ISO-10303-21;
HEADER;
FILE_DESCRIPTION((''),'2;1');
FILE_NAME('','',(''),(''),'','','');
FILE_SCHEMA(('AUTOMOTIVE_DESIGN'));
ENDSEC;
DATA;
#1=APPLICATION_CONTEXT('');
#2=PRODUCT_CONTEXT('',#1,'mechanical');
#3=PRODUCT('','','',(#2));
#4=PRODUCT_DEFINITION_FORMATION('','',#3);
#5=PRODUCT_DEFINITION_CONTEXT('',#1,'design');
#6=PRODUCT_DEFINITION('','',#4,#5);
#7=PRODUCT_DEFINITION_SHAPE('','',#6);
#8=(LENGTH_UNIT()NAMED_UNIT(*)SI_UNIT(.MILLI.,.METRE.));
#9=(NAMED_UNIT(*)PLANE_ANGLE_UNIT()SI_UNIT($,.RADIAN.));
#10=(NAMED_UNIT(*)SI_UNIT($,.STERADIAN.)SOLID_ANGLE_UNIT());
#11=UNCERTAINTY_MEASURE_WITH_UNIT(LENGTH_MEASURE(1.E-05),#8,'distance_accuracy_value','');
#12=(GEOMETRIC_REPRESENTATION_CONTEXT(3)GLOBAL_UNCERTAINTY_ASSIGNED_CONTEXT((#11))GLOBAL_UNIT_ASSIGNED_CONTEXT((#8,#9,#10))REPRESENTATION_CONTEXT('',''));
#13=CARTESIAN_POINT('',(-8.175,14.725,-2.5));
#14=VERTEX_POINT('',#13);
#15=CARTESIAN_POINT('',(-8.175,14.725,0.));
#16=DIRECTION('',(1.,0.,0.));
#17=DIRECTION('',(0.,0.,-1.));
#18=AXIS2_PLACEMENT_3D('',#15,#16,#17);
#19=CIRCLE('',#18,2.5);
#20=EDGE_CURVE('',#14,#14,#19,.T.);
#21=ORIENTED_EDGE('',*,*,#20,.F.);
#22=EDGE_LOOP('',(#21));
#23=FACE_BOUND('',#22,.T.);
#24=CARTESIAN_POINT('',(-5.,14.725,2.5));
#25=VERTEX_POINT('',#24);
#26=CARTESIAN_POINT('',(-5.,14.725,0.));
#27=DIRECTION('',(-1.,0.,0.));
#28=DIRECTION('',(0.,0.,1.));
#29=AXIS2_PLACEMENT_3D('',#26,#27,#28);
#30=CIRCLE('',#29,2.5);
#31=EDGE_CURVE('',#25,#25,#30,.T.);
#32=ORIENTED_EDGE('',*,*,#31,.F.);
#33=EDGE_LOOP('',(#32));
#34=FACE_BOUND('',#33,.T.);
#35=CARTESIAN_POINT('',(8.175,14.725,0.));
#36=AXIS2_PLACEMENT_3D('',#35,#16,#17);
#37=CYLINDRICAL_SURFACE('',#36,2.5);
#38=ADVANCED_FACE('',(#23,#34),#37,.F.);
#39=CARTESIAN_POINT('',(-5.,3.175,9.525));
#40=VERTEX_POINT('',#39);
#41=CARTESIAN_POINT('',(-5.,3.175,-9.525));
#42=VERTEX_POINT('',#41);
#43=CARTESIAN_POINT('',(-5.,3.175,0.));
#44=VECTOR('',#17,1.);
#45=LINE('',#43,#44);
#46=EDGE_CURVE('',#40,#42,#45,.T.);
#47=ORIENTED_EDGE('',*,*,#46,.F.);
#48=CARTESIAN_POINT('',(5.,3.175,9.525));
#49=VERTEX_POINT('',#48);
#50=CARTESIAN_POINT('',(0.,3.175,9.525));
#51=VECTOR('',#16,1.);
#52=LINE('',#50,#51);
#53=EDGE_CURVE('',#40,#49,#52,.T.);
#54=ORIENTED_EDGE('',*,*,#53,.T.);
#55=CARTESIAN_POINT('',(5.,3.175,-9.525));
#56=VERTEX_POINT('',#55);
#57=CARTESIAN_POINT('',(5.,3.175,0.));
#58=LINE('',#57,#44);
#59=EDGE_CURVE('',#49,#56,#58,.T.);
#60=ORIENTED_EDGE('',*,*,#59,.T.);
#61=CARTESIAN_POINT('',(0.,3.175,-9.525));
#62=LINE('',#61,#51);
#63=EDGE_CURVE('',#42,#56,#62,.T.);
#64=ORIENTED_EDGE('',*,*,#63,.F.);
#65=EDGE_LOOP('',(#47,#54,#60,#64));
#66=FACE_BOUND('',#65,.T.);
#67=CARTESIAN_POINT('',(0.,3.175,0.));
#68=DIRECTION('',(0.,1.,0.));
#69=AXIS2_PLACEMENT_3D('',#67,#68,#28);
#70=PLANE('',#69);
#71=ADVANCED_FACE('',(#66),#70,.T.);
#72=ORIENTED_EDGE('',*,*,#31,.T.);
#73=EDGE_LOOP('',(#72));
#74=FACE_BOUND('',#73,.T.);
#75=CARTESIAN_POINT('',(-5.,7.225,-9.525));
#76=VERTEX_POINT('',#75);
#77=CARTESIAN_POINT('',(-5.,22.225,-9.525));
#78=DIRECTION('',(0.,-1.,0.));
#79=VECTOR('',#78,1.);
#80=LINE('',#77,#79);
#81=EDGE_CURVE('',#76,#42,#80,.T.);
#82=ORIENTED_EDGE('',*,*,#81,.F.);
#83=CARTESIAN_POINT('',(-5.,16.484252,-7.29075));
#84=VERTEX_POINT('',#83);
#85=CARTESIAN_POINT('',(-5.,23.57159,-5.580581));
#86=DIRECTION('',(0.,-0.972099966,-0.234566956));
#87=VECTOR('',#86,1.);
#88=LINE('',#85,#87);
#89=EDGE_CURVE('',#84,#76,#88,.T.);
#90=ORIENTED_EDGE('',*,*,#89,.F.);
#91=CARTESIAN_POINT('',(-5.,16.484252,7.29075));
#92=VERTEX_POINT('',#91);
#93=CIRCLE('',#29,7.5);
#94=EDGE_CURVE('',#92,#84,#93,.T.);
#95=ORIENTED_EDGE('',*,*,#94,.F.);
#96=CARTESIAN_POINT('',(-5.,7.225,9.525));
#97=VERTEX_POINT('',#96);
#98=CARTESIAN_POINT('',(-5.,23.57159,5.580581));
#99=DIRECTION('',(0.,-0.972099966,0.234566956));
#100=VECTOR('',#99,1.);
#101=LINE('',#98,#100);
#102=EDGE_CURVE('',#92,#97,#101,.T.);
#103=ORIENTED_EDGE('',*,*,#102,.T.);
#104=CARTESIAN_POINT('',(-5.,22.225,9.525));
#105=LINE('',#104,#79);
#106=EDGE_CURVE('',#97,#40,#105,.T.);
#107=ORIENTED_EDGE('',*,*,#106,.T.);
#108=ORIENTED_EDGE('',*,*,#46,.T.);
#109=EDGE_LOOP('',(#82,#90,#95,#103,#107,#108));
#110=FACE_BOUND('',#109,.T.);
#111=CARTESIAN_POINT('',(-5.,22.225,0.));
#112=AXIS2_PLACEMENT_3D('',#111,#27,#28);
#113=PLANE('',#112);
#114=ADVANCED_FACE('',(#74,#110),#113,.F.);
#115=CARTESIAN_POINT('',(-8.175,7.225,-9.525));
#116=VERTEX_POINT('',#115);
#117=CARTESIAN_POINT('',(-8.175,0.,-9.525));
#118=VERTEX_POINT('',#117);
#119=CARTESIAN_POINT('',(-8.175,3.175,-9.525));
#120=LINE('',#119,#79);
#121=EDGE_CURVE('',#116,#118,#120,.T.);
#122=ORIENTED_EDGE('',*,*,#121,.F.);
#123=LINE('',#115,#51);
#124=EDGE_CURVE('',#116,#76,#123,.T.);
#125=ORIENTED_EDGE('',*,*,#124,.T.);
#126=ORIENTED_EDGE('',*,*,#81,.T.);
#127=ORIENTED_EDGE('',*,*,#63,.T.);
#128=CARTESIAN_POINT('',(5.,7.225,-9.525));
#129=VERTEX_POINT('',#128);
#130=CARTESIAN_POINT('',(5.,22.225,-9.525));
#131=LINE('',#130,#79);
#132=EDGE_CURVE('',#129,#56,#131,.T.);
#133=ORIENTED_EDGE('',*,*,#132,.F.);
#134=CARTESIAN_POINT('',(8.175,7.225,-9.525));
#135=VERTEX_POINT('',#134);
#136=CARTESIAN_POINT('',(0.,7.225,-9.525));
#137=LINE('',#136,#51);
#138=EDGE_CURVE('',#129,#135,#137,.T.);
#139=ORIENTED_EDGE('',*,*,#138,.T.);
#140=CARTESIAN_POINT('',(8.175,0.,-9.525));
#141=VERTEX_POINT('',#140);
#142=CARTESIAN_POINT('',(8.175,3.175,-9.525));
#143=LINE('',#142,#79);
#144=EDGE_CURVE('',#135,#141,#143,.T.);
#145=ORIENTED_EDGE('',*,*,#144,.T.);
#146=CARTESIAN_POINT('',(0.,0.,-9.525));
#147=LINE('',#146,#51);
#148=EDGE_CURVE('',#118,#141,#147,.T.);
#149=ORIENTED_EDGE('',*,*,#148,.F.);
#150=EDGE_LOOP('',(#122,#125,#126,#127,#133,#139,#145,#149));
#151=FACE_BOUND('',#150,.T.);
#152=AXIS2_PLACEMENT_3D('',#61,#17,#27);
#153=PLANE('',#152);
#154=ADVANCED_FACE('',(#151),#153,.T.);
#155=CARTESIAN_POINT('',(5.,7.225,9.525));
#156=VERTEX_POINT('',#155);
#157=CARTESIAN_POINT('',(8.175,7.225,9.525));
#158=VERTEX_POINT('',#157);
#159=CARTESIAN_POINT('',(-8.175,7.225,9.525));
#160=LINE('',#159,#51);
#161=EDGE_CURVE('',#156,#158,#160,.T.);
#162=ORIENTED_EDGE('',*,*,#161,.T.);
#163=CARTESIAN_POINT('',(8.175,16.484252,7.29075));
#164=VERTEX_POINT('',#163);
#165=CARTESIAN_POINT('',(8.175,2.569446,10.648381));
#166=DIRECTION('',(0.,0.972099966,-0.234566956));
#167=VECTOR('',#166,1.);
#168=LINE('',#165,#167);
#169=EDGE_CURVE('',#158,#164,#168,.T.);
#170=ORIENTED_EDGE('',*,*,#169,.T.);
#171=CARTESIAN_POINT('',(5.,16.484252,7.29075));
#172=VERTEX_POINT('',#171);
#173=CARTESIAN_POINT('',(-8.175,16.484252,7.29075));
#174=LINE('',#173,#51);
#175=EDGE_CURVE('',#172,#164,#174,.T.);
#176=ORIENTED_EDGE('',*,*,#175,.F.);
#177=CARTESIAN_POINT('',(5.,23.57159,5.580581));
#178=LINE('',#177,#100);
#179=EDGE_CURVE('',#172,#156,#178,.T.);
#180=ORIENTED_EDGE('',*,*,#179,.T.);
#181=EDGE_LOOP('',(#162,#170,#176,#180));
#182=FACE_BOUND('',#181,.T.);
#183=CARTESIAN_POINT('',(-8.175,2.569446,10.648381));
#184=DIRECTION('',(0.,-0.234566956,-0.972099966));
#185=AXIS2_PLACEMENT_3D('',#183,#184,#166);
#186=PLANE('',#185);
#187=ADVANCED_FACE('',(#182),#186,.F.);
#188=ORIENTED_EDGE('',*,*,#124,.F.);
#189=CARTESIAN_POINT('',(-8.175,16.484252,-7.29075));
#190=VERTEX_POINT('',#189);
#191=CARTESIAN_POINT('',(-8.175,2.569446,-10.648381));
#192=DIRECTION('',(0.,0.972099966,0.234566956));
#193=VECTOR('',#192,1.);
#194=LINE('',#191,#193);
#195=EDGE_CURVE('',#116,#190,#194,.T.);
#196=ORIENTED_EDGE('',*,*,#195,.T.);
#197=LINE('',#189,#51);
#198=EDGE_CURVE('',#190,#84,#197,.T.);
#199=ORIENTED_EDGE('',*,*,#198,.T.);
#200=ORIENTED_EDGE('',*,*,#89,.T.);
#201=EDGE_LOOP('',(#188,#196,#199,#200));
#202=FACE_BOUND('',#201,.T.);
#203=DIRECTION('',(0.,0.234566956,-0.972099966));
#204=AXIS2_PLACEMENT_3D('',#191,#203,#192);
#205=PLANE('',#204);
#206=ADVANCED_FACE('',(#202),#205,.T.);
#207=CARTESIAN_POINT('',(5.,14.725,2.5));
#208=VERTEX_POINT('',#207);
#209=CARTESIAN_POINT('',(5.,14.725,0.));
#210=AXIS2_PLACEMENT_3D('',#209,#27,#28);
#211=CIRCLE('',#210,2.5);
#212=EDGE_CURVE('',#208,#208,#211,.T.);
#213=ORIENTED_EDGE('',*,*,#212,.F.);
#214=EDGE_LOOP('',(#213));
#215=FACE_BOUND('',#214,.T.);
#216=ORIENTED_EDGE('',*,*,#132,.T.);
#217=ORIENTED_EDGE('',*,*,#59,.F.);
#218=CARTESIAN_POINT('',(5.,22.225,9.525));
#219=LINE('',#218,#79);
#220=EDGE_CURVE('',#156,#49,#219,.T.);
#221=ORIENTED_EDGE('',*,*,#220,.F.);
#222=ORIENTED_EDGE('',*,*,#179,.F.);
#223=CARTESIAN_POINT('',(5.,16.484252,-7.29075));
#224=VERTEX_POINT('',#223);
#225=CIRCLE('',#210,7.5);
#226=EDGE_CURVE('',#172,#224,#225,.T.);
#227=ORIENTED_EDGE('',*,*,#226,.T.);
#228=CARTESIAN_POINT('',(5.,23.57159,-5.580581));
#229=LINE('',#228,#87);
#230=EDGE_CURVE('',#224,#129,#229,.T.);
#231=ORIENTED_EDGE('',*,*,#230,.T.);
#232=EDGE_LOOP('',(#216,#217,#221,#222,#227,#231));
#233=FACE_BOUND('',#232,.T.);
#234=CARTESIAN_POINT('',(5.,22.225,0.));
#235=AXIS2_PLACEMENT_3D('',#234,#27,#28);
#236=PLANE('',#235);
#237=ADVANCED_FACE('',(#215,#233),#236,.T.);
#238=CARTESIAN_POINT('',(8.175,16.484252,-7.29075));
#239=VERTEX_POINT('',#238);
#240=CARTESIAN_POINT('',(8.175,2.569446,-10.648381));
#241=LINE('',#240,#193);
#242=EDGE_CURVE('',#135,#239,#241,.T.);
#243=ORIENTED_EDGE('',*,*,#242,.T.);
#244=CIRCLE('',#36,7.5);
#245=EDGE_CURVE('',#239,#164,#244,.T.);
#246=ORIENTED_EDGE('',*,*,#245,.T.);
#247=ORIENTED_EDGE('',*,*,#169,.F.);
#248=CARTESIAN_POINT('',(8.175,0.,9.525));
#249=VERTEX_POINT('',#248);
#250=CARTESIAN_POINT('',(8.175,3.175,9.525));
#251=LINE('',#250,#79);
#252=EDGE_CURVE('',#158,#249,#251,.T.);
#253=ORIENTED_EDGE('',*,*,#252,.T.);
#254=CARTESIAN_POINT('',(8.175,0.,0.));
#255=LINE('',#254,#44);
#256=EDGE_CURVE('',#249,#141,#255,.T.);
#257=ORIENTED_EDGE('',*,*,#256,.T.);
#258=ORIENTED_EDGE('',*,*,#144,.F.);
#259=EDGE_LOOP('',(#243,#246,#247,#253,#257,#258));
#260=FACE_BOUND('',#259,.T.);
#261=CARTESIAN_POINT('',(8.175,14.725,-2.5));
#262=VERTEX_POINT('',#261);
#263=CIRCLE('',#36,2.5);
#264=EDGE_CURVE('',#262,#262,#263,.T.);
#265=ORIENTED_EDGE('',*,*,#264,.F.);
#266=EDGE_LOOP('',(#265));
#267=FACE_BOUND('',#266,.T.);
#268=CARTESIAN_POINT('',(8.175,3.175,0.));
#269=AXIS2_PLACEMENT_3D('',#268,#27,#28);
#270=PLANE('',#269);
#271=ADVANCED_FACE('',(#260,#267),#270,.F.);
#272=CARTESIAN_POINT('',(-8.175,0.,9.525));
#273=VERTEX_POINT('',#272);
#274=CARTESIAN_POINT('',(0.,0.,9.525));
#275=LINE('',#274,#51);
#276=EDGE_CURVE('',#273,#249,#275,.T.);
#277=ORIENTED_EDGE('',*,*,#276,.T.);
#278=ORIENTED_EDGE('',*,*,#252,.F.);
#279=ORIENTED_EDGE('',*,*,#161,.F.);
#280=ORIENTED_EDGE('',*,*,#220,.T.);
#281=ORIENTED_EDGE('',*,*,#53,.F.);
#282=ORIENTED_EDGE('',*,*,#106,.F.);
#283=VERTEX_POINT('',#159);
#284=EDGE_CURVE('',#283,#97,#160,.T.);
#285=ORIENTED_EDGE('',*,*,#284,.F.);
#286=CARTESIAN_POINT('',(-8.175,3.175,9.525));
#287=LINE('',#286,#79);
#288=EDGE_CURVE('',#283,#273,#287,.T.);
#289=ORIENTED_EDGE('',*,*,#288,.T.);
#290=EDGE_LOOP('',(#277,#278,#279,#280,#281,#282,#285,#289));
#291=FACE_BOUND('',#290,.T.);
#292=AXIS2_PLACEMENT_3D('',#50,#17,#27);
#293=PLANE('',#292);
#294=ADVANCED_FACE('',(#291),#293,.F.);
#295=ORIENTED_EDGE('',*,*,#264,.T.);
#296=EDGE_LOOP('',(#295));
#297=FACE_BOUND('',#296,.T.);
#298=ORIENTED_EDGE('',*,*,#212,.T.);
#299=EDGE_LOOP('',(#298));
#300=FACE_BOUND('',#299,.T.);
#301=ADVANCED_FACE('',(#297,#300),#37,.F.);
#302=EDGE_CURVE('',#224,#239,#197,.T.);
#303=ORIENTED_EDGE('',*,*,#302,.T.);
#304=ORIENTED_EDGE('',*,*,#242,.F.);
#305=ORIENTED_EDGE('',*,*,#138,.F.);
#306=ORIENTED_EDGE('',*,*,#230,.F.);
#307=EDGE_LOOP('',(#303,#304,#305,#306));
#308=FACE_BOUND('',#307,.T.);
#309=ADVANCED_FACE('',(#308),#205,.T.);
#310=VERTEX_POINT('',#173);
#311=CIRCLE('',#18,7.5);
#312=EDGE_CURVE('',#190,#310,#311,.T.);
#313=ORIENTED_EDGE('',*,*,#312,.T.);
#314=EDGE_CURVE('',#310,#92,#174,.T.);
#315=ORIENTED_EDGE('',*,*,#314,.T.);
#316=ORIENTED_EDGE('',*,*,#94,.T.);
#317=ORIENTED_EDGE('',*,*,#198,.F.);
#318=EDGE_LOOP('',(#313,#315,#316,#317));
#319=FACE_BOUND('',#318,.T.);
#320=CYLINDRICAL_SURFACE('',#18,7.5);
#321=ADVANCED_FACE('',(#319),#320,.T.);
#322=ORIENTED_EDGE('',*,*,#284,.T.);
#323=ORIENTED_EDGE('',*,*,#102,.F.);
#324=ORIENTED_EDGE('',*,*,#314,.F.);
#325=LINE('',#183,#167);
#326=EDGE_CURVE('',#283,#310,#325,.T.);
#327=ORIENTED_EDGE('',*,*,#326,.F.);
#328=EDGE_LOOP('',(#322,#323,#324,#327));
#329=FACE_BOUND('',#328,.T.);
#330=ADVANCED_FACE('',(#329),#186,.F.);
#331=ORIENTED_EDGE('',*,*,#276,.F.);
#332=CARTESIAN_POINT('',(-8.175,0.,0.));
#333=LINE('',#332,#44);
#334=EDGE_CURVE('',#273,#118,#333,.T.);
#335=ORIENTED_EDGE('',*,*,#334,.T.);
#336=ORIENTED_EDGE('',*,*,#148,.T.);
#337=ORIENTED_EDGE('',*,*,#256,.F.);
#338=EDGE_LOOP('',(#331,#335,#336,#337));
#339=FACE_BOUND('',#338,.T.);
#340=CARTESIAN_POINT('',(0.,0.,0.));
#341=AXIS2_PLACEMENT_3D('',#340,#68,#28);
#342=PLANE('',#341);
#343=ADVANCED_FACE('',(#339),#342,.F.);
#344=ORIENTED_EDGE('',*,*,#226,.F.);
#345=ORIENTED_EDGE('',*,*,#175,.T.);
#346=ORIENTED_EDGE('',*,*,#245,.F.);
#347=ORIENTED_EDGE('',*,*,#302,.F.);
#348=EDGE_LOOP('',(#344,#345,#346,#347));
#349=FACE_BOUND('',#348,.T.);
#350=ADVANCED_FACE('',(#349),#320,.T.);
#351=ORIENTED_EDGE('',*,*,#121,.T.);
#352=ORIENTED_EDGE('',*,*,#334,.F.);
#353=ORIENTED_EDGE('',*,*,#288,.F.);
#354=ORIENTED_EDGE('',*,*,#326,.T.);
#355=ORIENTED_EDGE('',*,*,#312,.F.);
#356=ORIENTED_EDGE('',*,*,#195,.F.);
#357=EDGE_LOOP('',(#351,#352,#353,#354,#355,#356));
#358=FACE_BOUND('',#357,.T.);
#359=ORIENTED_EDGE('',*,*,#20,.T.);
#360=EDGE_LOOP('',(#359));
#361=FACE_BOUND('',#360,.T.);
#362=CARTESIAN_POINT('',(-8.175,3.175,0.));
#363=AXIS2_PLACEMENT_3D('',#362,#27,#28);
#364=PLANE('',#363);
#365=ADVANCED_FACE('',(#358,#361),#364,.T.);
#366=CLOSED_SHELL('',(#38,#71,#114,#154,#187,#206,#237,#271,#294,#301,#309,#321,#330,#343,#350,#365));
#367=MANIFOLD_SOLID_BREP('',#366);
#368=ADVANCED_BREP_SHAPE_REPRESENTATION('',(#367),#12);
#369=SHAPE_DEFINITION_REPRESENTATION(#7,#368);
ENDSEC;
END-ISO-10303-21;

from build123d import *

# Parameters (mm, degrees)
SKETCH1_W             = 3.175
SKETCH1_H             = 19.05
SKETCH1_W_2           = 10
BOSS_EXTRUDE1_DEPTH   = 3.175
BOSS_EXTRUDE2_START   = 3.175
SKETCH1_3_W           = 3.175
SKETCH1_3_H           = 19.05
BOSS_EXTRUDE2_DEPTH   = 19.05
CUT_EXTRUDE1_DEPTH    = 30.189017626
F_5_0MM_DOWEL_HOLE1_D = 5


with BuildPart() as part:
    # Sketch1 → Boss-Extrude1 (new body)
    with BuildSketch(Plane(origin=(0, 0, 0), x_dir=(1, 0, 0), z_dir=(0, 1, 0))):
        with Locations((-6.5875, 0)):
            Rectangle(SKETCH1_W, SKETCH1_H)
        Rectangle(SKETCH1_W_2, SKETCH1_H)
        with Locations((6.5875, 0)):
            Rectangle(SKETCH1_W, SKETCH1_H)
    extrude(amount=BOSS_EXTRUDE1_DEPTH)

    # Sketch1<3> → Boss-Extrude2 (add)
    with BuildSketch(Plane(origin=(0, 0, 0), x_dir=(1, 0, 0), z_dir=(0, 1, 0)).offset(BOSS_EXTRUDE2_START)):
        with Locations((-6.5875, 0)):
            Rectangle(SKETCH1_3_W, SKETCH1_3_H)
        with Locations((6.5875, 0)):
            Rectangle(SKETCH1_3_W, SKETCH1_3_H)
    extrude(amount=BOSS_EXTRUDE2_DEPTH)

    # Sketch2 → Cut-Extrude1 (cut, through all)
    with BuildSketch(Plane(origin=(8.175, 0, 0), x_dir=(0, 0, -1), z_dir=(1, 0, 0))):
        with BuildLine():
            Line((-9.525, 22.225), (-9.525, 7.225))
            Line((-9.525, 7.225), (-7.290749742, 16.484252172))
            ThreePointArc((-7.290749742, 16.484252172), (-4.6398065, 20.617554255), (0, 22.225))
            Line((0, 22.225), (-9.525, 22.225))
        make_face()
        with BuildLine():
            Line((9.525, 22.225), (0, 22.225))
            ThreePointArc((0, 22.225), (4.6398065, 20.617554255), (7.290749742, 16.484252172))
            Line((7.290749742, 16.484252172), (9.525, 7.225))
            Line((9.525, 7.225), (9.525, 22.225))
        make_face()
    extrude(amount=-CUT_EXTRUDE1_DEPTH, mode=Mode.SUBTRACT)

    # Ø5.0mm Dowel Hole1 (through all)
    with Locations(Plane(origin=(8.175, 0, 0), x_dir=(0, 0, -1), z_dir=(1, 0, 0))):
        with Locations((0, 14.725)):
            Hole(F_5_0MM_DOWEL_HOLE1_D / 2)


solid = part.part
